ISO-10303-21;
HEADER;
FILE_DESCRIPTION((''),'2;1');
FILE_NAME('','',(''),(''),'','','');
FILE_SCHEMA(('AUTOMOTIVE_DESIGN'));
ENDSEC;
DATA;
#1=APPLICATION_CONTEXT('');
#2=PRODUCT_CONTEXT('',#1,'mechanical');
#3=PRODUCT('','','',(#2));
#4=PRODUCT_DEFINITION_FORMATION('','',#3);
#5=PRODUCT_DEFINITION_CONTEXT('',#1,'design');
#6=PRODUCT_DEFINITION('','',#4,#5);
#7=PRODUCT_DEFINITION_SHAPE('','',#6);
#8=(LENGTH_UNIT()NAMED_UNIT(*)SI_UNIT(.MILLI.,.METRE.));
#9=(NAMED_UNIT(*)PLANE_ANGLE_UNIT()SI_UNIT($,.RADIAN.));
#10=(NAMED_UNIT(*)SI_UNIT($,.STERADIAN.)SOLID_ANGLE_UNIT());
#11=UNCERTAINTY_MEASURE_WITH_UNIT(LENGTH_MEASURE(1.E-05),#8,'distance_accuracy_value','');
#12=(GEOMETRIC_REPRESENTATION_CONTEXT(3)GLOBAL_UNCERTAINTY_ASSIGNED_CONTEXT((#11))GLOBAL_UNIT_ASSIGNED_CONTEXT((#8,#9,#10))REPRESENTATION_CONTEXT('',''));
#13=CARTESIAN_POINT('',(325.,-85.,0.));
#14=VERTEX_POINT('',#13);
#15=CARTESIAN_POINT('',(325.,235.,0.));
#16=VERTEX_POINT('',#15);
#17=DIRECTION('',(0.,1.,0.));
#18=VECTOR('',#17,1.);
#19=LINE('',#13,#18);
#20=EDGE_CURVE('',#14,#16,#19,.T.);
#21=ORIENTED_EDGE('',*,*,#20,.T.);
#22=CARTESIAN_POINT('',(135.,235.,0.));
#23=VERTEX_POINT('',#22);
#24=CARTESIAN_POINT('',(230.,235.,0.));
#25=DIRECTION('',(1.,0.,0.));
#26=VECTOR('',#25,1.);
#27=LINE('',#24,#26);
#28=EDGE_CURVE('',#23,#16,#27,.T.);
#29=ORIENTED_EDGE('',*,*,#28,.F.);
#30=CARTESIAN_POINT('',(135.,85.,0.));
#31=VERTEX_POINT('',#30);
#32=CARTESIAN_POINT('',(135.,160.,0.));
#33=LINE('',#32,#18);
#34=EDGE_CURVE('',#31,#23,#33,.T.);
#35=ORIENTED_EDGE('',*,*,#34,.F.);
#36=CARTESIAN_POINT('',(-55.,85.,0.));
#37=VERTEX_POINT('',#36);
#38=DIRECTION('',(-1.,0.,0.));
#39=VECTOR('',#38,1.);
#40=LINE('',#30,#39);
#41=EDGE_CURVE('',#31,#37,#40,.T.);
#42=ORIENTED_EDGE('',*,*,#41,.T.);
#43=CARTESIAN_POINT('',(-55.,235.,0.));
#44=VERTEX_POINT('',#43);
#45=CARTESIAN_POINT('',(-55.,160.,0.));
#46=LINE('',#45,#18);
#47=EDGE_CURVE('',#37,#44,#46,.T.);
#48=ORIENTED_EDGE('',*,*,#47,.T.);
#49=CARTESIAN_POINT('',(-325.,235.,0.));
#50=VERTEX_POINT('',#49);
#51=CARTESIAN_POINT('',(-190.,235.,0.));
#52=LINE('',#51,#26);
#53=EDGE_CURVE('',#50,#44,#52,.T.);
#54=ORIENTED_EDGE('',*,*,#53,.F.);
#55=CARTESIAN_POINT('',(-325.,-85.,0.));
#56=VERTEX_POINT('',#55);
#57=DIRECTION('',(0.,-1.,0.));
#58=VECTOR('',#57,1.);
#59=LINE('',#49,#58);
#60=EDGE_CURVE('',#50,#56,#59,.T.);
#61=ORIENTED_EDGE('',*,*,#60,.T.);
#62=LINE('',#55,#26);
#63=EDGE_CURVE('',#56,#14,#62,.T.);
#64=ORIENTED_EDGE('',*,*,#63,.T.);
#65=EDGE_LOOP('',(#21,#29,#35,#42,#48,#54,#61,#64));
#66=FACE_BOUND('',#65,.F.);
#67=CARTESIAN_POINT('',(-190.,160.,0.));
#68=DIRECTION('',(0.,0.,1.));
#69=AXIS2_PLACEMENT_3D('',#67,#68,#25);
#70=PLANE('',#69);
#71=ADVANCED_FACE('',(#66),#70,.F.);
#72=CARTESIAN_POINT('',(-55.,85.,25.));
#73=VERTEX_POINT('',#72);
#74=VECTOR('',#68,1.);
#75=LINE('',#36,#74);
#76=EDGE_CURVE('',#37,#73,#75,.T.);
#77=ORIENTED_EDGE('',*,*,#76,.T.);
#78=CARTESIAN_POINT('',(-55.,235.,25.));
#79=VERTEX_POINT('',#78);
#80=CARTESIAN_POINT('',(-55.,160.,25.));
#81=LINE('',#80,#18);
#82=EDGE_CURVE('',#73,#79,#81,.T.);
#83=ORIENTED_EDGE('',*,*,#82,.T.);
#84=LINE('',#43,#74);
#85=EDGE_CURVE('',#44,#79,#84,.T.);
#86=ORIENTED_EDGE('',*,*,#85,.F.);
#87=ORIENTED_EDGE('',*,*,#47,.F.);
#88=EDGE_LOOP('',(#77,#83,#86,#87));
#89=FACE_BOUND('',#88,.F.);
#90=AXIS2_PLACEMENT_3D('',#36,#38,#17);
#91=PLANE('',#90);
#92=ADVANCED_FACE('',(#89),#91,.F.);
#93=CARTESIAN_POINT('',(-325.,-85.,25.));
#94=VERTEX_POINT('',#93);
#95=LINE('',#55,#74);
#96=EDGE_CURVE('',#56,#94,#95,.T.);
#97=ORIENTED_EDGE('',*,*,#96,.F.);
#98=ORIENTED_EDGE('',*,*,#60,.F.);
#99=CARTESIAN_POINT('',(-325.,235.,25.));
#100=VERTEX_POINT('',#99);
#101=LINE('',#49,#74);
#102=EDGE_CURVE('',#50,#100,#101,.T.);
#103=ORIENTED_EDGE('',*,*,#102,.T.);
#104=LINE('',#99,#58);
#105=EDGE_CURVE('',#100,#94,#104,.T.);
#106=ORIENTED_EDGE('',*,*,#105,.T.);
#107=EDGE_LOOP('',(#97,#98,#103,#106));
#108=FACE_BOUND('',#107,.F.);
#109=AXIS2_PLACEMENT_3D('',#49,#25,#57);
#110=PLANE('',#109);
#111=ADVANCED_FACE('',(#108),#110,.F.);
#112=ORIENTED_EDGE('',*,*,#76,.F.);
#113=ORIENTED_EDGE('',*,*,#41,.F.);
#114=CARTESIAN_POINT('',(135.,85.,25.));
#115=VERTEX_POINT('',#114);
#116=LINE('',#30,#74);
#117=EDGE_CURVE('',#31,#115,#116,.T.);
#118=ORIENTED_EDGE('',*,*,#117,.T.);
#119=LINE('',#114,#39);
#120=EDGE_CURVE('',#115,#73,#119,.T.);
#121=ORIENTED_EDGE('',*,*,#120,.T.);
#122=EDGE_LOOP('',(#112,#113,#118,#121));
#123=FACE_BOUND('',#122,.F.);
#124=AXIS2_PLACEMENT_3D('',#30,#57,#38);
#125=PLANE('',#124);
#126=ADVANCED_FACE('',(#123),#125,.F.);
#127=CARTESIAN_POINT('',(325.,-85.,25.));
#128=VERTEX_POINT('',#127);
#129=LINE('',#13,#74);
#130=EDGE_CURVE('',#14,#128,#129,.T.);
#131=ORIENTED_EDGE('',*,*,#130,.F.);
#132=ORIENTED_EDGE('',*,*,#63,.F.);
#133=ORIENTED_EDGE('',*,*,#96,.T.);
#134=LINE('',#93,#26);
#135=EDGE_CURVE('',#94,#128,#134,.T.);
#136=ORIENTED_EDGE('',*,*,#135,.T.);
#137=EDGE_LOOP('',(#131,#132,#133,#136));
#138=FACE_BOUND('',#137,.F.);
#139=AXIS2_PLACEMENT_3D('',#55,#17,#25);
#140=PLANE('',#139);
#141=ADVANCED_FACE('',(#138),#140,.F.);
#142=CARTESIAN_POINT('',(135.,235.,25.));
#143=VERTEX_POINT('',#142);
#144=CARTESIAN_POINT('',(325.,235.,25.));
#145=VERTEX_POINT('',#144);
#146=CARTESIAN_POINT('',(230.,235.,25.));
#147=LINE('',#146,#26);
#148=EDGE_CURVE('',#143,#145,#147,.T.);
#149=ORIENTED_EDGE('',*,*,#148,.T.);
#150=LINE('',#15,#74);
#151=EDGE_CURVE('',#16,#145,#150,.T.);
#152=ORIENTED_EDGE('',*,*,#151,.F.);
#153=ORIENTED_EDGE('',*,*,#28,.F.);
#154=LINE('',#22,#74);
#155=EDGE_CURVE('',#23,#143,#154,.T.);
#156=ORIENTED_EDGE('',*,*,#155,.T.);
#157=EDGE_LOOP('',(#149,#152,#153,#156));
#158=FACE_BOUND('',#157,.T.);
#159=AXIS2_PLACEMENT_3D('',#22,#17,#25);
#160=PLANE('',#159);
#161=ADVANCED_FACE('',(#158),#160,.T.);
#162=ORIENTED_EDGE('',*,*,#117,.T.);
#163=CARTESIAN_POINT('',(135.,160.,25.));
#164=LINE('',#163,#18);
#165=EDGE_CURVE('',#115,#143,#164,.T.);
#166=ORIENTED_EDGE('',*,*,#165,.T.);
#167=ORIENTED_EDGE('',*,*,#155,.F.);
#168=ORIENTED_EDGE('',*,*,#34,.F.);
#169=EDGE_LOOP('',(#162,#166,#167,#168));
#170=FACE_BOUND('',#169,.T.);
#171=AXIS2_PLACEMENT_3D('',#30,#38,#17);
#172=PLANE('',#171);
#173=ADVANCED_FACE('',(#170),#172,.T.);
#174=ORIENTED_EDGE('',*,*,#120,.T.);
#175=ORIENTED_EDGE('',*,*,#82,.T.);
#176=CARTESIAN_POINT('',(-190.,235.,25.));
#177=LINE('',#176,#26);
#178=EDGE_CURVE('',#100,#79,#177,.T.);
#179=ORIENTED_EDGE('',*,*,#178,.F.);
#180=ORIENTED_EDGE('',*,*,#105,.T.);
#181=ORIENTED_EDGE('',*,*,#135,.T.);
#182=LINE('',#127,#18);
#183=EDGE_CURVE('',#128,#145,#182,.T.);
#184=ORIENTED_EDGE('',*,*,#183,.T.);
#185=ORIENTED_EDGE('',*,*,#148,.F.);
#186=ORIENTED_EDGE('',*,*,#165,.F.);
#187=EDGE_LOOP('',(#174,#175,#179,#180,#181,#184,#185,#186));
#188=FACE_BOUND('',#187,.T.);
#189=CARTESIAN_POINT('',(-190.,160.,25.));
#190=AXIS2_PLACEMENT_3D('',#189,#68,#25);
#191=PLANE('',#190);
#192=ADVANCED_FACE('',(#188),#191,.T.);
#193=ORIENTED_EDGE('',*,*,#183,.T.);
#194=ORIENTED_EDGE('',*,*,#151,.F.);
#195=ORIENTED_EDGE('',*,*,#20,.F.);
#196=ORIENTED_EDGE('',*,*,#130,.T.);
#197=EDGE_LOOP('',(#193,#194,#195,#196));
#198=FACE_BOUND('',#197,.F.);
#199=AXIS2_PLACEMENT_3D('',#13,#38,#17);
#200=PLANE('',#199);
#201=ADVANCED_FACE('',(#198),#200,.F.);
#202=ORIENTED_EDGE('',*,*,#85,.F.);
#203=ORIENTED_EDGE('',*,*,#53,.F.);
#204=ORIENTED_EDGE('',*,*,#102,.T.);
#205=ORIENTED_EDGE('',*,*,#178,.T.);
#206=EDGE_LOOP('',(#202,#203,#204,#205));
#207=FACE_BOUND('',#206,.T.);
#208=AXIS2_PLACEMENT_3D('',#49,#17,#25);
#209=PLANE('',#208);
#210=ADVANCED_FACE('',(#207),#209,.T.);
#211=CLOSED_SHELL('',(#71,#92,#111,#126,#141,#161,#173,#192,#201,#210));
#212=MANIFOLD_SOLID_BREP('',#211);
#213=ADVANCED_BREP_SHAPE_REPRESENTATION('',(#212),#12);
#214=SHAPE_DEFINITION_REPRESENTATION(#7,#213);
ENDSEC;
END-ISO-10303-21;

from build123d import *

# Parameters (mm, degrees)
F0_W     = 270
F0_H     = 150
F0_W_2   = 190
F1_DEPTH = 25


with BuildPart() as f1:
    # F0 (on Top) → F1 (new body)
    with BuildSketch(Plane.XY):
        with Locations((-190, 160)):
            Rectangle(F0_W, F0_H)
        with Locations((230, 160)):
            Rectangle(F0_W_2, F0_H)
        Polygon((325, -85), (325, 85), (135, 85), (-55, 85), (-325, 85), (-325, -85), align=None)
    extrude(amount=F1_DEPTH)


solid = f1.part
